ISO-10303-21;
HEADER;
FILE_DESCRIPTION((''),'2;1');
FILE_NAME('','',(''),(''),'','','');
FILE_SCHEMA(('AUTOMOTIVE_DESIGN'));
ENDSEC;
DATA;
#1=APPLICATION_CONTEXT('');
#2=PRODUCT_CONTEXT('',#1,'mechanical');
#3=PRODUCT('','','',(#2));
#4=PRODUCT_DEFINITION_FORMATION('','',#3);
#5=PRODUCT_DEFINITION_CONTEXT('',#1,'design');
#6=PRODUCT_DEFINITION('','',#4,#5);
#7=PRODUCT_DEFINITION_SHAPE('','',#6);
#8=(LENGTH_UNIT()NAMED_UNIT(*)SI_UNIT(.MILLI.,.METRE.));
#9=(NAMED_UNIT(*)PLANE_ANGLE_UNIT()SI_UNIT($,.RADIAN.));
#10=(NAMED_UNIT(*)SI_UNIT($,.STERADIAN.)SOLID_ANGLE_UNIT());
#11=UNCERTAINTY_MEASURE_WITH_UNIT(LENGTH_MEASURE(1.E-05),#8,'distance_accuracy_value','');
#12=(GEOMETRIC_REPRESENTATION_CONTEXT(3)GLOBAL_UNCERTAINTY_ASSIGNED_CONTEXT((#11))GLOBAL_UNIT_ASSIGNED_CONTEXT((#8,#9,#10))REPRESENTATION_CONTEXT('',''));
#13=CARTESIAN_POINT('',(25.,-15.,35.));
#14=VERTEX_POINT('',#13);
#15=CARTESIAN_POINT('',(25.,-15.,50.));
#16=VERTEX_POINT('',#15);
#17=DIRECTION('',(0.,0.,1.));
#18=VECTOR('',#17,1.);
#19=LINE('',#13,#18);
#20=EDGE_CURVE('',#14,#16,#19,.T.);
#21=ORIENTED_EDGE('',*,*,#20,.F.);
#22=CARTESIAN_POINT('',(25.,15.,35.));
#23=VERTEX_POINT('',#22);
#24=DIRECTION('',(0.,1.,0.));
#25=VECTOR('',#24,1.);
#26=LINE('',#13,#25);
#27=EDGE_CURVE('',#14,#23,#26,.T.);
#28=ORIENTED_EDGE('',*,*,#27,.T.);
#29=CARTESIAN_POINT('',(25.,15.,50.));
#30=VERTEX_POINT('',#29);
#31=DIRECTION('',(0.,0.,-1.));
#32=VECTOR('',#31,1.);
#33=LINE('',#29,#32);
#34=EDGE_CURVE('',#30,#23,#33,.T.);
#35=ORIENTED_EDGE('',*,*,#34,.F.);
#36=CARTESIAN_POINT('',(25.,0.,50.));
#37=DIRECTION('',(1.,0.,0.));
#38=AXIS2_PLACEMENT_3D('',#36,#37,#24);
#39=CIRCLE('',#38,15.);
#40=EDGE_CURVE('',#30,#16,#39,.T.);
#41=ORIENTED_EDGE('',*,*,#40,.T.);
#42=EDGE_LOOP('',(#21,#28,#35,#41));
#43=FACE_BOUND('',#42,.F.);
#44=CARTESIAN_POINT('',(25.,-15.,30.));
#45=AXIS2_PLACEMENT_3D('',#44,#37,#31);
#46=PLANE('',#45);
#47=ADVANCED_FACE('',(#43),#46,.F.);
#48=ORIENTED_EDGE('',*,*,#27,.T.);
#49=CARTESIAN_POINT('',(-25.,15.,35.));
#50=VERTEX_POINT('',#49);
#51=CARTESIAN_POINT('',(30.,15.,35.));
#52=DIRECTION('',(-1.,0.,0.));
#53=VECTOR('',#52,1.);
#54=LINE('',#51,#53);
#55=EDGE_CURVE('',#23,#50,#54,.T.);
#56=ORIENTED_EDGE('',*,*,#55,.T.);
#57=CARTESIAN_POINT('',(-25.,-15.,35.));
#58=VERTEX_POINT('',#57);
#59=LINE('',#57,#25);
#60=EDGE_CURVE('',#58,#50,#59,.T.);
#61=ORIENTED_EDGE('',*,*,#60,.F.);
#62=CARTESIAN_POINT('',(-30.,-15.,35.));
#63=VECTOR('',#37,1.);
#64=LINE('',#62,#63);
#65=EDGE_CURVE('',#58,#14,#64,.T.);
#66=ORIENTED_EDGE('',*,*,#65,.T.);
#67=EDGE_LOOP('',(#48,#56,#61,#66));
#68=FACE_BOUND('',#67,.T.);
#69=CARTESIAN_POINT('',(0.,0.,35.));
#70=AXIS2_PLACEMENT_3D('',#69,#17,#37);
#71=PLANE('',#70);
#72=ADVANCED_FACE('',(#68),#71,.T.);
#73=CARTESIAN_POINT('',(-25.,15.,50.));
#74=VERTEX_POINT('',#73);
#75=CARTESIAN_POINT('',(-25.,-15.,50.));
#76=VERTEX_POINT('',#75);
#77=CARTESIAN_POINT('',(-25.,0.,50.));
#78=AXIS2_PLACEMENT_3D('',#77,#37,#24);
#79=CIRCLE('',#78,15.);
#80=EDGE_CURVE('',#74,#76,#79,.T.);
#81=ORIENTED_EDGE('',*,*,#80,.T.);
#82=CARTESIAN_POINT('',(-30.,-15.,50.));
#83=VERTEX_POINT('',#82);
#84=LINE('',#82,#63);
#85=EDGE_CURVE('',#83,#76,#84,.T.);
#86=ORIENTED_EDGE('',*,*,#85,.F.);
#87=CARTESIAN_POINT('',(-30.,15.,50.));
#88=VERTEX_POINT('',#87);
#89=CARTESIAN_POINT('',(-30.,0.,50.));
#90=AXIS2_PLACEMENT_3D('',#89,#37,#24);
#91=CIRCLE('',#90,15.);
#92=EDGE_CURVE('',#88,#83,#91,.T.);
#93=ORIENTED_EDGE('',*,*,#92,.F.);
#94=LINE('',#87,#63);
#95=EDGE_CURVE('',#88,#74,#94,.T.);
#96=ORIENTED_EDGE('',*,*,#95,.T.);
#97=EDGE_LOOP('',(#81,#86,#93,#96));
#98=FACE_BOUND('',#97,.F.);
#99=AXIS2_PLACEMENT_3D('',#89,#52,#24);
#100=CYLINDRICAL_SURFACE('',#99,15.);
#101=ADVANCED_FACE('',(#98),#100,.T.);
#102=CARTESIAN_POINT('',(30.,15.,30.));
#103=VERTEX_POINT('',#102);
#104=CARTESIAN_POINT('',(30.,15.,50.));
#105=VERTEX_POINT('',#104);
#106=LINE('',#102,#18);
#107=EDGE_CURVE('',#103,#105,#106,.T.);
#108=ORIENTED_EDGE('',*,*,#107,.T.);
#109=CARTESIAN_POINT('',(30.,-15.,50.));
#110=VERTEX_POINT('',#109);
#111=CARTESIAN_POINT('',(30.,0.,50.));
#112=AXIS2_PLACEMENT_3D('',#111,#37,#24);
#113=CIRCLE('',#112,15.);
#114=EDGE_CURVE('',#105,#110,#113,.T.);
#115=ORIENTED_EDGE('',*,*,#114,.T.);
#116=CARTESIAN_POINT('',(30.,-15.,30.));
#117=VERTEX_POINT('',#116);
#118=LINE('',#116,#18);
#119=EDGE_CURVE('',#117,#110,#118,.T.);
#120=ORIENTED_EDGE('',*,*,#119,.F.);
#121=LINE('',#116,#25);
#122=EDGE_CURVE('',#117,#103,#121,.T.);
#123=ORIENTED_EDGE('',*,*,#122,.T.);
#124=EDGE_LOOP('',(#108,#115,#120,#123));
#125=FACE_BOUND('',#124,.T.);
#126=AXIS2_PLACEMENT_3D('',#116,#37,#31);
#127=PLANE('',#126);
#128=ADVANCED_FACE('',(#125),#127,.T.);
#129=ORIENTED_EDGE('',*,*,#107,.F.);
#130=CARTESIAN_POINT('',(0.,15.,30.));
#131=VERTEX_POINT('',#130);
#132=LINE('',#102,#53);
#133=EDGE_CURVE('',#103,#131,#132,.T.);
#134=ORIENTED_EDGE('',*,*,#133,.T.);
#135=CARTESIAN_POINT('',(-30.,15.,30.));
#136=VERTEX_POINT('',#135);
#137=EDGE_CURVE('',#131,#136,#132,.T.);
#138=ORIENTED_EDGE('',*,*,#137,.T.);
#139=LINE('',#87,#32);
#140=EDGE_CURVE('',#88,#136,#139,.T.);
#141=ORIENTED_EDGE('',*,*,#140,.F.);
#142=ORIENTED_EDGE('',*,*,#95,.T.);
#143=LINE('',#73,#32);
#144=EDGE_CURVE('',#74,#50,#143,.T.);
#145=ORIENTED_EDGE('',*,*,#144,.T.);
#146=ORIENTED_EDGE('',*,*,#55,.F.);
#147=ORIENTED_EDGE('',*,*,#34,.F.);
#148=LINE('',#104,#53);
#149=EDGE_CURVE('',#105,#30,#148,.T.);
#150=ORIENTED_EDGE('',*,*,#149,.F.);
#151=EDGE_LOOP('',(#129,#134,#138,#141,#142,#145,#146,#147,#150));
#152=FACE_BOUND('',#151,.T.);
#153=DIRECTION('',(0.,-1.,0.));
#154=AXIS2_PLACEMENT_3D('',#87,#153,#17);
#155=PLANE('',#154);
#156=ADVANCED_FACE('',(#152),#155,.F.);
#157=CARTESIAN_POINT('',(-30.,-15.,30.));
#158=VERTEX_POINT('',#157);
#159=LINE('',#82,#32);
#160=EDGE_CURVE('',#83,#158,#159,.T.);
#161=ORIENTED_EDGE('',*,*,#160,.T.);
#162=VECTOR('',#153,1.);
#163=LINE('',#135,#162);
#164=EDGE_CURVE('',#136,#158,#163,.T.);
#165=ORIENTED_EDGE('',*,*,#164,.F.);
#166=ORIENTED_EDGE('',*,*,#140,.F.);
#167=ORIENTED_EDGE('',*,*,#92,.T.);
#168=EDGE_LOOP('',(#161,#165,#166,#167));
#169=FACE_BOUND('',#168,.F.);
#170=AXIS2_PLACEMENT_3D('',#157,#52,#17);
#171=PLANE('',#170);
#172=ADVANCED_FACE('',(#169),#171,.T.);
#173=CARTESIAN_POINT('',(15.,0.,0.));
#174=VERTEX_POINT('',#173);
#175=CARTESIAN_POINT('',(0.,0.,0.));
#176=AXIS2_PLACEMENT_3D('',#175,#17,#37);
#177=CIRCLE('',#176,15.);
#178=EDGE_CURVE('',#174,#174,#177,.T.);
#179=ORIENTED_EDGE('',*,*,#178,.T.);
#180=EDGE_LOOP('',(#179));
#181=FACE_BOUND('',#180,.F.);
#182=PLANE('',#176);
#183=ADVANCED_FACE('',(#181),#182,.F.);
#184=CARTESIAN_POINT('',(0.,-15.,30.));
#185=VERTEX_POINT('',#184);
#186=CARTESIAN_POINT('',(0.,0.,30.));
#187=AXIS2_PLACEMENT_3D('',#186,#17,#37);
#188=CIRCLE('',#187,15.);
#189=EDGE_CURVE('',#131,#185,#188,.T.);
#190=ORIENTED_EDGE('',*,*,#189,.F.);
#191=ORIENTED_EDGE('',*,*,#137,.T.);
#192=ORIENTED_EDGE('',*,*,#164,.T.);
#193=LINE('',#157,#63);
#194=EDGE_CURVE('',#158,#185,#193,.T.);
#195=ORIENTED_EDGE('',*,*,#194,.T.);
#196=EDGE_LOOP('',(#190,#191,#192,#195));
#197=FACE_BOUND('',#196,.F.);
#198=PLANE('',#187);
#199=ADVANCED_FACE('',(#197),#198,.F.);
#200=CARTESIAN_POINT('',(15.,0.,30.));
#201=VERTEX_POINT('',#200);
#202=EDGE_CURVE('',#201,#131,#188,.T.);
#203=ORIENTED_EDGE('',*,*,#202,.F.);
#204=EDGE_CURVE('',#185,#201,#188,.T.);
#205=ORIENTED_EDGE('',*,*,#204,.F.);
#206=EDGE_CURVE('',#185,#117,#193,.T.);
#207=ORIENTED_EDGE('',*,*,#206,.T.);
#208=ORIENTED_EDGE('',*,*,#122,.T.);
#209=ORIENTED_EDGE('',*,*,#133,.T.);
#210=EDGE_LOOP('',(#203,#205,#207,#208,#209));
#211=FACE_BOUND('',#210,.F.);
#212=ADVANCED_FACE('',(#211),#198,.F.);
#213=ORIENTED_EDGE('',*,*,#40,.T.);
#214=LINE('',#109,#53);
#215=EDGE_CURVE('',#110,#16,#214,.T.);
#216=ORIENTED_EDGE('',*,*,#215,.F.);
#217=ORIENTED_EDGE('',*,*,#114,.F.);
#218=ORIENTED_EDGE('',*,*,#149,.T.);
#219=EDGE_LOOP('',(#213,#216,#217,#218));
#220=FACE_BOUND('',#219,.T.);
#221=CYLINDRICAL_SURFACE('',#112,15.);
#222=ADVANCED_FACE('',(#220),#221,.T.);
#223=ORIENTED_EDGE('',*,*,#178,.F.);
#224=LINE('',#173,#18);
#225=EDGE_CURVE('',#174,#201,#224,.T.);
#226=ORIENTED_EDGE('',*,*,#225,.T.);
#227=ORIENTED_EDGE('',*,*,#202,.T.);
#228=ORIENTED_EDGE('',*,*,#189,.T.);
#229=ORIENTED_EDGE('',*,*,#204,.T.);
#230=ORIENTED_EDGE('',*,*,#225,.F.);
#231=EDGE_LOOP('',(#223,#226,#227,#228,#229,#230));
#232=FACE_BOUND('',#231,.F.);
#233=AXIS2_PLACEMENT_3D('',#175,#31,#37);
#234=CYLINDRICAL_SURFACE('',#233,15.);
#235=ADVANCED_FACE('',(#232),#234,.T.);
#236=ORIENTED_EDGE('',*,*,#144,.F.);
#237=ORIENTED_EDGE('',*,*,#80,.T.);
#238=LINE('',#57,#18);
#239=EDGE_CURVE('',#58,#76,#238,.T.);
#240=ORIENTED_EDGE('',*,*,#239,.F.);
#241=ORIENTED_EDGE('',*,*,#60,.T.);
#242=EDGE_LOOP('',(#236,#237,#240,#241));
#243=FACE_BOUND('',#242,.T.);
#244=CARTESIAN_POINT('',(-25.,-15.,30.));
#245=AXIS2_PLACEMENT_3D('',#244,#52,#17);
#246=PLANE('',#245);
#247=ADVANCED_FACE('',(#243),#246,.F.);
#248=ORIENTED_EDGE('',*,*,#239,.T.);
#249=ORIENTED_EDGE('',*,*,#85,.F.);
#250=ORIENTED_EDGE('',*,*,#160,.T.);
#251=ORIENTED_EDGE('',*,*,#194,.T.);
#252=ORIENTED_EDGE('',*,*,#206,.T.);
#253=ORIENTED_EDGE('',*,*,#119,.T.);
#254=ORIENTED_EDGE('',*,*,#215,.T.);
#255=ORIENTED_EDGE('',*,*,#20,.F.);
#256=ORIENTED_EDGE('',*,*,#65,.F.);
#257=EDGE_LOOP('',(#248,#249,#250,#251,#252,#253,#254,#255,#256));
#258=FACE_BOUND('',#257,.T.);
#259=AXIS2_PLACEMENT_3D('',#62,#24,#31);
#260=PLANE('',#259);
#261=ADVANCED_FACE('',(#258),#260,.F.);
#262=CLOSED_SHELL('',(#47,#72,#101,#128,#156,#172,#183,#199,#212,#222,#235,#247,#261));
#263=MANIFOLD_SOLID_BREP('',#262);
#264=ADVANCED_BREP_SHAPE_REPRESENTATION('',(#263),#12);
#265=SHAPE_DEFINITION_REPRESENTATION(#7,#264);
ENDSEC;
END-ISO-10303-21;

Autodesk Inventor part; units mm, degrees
ref_plane "YZ Plane" through (0, 0, 0) normal (1, 0, 0) x (0, 1, 0)
ref_plane "XZ Plane" through (0, 0, 0) normal (0, 1, 0) x (-1, 0, 0)
ref_plane "XY Plane" through (0, 0, 0) normal (0, 0, 1) x (1, 0, 0)
sketch "스케치1" plane through (0, 0, 0) normal (0, 0, 1) x (1, 0, 0)
  circle A0 centre (0, 0) radius 15
  dimension "d0" = 30
extrude "돌출1" add sketch "스케치1" along normal blind 30
sketch "스케치2" plane through (0, 0, 30) normal (0, 0, 1) x (1, 0, 0)
  line L0 (30, 15) -> (-30, 15)
  line L1 (-30, 15) -> (-30, -15)
  line L2 (-30, -15) -> (30, -15)
  line L3 (30, -15) -> (30, 15)
  line L4 (30, 15) -> (-30, -15) construction
  line L5 (-30, 15) -> (30, -15) construction
  point P0 (0, 0)
  dimension "d3" = 60
  dimension "d4" = 30
extrude "돌출2" add sketch "스케치2" along normal blind 5
sketch "스케치3" plane through (30, -15, 30) normal (1, 0, 0) x (0, 0, -1)
  line L0 (0, 0) -> (0, 30) projected
  line L1 (0, 30) -> (-5, 30) projected
  line L2 (-5, 0) -> (-5, 30) projected
  line L3 (0, 0) -> (-5, 0) projected
  line L4 (-5, 0) -> (-20, 0)
  line L5 (-20, 30) -> (-5, 30)
  line L6 (-5, 30) -> (-5, 0)
  line L7 (0, 0) -> (-5, 0) projected
  line L8 (0, 30) -> (-5, 30) projected
  arc A0 (-20, 30) -> (-20, 0) centre (-20, 15) ccw
  point P0 (30, 15)
  dimension "d10" = 15
  dimension "d11" = 15
  dimension "d12" = 15
extrude "돌출3" add sketch "스케치3" against normal blind 5 contours L4 A0 L5 L2
mirror "미러1" about plane through (0, 0, 0) normal (1, 0, 0) of "돌출3"
ref_plane "작업 평면1" through (0, 0, 0) normal (1, 0, 0) x (0, 1, 0)
properties part number "L1_0.1" material "ABS 플라스틱"
